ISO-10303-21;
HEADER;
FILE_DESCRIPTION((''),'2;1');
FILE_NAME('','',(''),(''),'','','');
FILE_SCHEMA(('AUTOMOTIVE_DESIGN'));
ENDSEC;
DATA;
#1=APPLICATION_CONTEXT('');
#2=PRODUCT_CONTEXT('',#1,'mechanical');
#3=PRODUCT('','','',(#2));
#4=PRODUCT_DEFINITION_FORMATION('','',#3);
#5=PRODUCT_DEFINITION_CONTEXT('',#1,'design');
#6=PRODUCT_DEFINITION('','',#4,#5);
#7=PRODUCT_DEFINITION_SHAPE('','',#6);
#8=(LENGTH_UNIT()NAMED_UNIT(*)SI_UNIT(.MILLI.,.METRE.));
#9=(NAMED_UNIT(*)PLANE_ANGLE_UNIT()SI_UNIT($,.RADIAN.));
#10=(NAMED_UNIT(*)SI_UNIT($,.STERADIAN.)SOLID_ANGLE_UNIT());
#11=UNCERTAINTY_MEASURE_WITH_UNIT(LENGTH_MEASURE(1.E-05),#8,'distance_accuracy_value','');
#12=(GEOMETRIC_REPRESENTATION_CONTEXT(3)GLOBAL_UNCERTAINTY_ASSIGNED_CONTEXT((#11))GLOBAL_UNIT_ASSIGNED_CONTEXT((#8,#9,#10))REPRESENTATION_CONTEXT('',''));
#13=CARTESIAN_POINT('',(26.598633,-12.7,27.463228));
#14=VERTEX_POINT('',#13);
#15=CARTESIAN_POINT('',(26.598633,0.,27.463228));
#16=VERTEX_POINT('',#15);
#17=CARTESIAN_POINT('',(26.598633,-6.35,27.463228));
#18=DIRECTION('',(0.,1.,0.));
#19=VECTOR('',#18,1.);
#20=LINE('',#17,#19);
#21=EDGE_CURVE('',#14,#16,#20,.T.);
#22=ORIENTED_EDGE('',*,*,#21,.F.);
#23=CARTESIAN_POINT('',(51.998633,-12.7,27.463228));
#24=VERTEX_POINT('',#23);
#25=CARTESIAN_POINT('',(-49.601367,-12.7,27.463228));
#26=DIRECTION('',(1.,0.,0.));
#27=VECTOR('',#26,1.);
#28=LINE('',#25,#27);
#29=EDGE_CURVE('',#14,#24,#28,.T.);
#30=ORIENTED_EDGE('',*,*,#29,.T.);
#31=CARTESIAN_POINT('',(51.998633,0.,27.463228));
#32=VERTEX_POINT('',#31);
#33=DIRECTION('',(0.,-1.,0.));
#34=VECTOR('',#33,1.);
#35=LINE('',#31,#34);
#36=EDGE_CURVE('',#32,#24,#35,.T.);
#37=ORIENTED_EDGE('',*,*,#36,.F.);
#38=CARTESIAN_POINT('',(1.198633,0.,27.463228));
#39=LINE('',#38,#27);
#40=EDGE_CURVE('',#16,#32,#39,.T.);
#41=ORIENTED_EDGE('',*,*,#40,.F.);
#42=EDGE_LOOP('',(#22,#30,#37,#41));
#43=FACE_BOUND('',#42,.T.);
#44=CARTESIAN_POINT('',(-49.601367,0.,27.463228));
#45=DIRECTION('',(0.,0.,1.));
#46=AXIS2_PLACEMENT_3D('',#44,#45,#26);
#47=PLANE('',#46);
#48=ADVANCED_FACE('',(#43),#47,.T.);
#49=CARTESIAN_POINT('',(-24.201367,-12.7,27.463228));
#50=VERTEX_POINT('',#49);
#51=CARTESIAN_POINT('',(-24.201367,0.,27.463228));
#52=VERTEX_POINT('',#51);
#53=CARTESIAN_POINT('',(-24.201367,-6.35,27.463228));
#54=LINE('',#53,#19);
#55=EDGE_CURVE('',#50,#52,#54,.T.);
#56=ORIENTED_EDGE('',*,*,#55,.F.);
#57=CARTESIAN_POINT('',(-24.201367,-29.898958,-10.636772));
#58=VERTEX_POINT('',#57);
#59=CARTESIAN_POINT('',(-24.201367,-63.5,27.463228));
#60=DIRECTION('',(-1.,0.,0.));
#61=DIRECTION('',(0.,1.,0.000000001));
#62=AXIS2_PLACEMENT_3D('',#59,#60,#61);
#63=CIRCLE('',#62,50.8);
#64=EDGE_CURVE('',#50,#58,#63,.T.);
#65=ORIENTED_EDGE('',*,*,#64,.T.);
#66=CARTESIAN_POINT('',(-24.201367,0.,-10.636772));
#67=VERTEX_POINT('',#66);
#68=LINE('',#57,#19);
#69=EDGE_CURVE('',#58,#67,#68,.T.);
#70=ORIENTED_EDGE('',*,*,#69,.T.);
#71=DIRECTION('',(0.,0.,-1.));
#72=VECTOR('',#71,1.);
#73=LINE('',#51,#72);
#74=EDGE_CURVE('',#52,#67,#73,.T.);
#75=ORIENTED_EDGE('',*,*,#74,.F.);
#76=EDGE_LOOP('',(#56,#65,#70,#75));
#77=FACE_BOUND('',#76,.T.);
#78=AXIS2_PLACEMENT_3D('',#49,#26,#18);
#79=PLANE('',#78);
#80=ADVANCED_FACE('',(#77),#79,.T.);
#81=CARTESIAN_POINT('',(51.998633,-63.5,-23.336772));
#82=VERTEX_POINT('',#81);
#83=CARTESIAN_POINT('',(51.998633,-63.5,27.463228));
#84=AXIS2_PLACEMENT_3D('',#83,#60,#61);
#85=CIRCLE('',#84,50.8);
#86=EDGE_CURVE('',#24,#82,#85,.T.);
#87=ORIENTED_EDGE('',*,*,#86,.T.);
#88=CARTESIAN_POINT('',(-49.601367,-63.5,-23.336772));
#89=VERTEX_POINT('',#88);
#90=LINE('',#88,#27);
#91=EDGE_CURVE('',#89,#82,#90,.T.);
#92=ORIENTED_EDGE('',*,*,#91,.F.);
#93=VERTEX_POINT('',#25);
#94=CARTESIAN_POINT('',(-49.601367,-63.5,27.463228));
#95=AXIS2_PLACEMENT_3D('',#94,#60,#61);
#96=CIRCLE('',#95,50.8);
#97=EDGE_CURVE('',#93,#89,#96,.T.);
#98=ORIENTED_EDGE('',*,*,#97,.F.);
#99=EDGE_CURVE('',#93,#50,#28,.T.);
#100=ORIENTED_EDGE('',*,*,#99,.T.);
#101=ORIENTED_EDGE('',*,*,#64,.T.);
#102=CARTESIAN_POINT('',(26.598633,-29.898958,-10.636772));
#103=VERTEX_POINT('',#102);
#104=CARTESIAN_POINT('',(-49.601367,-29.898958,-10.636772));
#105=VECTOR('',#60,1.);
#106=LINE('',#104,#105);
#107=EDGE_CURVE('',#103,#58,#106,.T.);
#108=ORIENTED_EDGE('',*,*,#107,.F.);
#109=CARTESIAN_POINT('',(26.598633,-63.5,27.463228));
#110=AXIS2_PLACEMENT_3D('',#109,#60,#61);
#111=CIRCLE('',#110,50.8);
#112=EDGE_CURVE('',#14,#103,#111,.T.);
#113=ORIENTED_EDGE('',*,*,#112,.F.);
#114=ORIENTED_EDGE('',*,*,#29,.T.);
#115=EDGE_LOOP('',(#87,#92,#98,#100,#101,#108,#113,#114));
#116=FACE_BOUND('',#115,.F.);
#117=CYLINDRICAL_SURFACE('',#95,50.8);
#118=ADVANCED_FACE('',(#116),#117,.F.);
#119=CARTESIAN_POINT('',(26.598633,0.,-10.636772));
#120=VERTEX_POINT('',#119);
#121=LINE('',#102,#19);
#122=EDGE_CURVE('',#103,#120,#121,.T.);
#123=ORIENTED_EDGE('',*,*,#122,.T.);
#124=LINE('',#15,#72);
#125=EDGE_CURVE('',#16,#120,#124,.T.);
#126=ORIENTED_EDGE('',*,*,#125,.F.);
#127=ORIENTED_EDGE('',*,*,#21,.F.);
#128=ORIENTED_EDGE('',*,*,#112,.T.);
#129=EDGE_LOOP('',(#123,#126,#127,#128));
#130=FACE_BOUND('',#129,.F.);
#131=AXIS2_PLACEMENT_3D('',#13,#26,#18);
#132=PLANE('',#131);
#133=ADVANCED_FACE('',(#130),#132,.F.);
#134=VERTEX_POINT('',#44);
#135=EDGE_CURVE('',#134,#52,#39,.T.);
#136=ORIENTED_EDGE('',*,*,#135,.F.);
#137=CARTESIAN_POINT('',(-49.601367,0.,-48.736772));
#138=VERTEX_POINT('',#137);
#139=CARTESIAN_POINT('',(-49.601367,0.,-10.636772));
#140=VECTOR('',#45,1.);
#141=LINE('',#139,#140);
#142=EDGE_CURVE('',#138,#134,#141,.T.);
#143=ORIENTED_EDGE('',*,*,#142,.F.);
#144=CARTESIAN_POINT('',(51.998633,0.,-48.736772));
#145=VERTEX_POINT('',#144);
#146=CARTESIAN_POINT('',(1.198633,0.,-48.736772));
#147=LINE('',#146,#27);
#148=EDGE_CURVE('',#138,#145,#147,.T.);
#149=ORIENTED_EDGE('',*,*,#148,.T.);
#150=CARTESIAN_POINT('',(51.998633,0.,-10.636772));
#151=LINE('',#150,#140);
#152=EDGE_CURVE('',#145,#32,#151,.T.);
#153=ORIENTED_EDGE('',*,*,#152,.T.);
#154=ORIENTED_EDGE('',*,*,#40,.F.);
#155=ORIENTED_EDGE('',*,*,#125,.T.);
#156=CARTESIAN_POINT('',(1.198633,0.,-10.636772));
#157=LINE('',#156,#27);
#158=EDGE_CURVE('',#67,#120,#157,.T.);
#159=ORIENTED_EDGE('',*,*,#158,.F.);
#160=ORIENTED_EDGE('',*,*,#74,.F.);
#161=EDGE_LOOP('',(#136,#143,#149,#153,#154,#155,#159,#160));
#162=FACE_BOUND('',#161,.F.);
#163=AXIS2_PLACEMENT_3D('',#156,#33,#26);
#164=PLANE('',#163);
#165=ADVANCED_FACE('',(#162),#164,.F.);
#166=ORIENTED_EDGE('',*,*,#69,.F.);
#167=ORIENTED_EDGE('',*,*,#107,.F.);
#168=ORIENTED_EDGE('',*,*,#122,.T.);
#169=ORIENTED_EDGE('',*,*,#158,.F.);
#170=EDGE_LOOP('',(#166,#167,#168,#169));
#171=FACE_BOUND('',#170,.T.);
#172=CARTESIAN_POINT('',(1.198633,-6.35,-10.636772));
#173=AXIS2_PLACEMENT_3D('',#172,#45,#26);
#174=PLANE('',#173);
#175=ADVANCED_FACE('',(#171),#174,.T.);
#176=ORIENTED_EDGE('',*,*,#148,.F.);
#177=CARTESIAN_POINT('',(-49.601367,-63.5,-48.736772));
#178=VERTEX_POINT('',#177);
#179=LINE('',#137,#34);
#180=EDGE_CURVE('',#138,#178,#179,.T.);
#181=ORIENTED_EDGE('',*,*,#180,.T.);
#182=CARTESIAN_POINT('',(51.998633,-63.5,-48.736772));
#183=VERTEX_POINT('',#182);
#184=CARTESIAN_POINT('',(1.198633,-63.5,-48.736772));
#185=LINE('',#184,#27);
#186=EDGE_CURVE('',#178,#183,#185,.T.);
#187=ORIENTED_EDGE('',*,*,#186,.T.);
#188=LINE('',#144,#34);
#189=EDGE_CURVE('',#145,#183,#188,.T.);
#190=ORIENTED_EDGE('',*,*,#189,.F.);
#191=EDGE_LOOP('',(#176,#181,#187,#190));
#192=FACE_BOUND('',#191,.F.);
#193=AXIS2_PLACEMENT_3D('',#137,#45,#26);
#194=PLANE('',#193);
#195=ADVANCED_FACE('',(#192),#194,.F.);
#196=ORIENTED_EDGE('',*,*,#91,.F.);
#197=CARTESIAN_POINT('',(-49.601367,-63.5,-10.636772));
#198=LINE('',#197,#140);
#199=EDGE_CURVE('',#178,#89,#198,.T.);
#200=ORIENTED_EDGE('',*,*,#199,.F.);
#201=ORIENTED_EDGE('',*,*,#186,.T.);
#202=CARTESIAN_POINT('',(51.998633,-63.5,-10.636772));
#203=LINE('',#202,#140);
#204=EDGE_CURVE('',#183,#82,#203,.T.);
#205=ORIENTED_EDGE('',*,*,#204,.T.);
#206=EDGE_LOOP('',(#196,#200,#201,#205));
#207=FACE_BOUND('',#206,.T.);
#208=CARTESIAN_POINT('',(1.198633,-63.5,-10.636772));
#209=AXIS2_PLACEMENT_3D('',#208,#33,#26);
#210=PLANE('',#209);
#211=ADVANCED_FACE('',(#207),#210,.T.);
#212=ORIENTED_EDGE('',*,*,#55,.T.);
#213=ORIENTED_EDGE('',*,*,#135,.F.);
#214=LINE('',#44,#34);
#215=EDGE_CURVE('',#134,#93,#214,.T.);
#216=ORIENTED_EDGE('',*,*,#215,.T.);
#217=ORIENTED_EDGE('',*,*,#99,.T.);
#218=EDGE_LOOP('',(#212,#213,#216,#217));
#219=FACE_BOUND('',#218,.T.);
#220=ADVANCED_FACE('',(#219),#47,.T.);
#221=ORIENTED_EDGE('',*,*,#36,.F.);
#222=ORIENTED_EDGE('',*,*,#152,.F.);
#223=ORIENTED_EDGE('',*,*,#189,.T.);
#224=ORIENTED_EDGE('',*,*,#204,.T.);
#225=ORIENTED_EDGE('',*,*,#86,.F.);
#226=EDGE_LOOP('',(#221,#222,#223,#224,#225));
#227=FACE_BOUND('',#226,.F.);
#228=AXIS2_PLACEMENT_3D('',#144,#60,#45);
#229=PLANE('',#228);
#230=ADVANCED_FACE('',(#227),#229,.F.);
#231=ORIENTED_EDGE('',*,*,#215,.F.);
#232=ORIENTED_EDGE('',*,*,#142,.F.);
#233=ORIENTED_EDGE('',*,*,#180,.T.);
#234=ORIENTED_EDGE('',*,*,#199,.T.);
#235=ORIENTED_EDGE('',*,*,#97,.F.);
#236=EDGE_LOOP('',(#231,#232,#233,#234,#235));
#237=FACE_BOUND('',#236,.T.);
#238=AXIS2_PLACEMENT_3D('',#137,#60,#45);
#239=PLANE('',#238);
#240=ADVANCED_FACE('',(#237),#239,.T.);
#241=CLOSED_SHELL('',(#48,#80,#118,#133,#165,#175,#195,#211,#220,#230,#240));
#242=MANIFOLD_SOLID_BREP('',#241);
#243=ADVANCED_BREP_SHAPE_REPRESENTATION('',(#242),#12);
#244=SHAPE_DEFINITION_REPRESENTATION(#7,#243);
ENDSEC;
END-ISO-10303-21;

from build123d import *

# Parameters (mm, degrees)
F0_W      = 101.6
F0_H      = 76.2
F1_DEPTH  = 63.5
F2_W      = 50.8
F2_H      = 12.7
F3_DEPTH  = 38.1
F5_DEPTH  = 101.601
F3_FACE_W = 50.8
F3_FACE_H = 38.1
F6_DEPTH  = 25.4


with BuildPart() as f1:
    # F0 (on Front) → F1 (new body)
    with BuildSketch(Plane.XZ):
        with Locations((1.198633, -10.636772)):
            Rectangle(F0_W, F0_H)
    extrude(amount=F1_DEPTH)

    # F2 (on face) → F3 (cut)
    with BuildSketch(Plane.XY.offset(27.463228)):
        with Locations((1.198633, -6.35)):
            Rectangle(F2_W, F2_H)
    extrude(amount=-F3_DEPTH, mode=Mode.SUBTRACT)

    # F4 (on face) → F5 (cut, through all)
    with BuildSketch(Plane(origin=(-49.601367, 0, 0), x_dir=(0, -1, 0), z_dir=(-1, 0, 0))):
        with BuildLine():
            Line((63.5, 27.463228), (12.7, 27.463228))
            ThreePointArc((12.7, 27.463228), (27.578976, -8.457797), (63.5, -23.336772))
            Line((63.5, -23.336772), (63.5, 27.463228))
        make_face()
    extrude(amount=-F5_DEPTH, mode=Mode.SUBTRACT)

    # F3_face (on face) → F6 (cut)
    with BuildSketch(Plane(origin=(1.198633, -12.7, 8.413228), x_dir=(-1, 0, 0), z_dir=(0, 1, 0))):
        Rectangle(F3_FACE_W, F3_FACE_H)
    extrude(amount=-F6_DEPTH, mode=Mode.SUBTRACT)


solid = f1.part
